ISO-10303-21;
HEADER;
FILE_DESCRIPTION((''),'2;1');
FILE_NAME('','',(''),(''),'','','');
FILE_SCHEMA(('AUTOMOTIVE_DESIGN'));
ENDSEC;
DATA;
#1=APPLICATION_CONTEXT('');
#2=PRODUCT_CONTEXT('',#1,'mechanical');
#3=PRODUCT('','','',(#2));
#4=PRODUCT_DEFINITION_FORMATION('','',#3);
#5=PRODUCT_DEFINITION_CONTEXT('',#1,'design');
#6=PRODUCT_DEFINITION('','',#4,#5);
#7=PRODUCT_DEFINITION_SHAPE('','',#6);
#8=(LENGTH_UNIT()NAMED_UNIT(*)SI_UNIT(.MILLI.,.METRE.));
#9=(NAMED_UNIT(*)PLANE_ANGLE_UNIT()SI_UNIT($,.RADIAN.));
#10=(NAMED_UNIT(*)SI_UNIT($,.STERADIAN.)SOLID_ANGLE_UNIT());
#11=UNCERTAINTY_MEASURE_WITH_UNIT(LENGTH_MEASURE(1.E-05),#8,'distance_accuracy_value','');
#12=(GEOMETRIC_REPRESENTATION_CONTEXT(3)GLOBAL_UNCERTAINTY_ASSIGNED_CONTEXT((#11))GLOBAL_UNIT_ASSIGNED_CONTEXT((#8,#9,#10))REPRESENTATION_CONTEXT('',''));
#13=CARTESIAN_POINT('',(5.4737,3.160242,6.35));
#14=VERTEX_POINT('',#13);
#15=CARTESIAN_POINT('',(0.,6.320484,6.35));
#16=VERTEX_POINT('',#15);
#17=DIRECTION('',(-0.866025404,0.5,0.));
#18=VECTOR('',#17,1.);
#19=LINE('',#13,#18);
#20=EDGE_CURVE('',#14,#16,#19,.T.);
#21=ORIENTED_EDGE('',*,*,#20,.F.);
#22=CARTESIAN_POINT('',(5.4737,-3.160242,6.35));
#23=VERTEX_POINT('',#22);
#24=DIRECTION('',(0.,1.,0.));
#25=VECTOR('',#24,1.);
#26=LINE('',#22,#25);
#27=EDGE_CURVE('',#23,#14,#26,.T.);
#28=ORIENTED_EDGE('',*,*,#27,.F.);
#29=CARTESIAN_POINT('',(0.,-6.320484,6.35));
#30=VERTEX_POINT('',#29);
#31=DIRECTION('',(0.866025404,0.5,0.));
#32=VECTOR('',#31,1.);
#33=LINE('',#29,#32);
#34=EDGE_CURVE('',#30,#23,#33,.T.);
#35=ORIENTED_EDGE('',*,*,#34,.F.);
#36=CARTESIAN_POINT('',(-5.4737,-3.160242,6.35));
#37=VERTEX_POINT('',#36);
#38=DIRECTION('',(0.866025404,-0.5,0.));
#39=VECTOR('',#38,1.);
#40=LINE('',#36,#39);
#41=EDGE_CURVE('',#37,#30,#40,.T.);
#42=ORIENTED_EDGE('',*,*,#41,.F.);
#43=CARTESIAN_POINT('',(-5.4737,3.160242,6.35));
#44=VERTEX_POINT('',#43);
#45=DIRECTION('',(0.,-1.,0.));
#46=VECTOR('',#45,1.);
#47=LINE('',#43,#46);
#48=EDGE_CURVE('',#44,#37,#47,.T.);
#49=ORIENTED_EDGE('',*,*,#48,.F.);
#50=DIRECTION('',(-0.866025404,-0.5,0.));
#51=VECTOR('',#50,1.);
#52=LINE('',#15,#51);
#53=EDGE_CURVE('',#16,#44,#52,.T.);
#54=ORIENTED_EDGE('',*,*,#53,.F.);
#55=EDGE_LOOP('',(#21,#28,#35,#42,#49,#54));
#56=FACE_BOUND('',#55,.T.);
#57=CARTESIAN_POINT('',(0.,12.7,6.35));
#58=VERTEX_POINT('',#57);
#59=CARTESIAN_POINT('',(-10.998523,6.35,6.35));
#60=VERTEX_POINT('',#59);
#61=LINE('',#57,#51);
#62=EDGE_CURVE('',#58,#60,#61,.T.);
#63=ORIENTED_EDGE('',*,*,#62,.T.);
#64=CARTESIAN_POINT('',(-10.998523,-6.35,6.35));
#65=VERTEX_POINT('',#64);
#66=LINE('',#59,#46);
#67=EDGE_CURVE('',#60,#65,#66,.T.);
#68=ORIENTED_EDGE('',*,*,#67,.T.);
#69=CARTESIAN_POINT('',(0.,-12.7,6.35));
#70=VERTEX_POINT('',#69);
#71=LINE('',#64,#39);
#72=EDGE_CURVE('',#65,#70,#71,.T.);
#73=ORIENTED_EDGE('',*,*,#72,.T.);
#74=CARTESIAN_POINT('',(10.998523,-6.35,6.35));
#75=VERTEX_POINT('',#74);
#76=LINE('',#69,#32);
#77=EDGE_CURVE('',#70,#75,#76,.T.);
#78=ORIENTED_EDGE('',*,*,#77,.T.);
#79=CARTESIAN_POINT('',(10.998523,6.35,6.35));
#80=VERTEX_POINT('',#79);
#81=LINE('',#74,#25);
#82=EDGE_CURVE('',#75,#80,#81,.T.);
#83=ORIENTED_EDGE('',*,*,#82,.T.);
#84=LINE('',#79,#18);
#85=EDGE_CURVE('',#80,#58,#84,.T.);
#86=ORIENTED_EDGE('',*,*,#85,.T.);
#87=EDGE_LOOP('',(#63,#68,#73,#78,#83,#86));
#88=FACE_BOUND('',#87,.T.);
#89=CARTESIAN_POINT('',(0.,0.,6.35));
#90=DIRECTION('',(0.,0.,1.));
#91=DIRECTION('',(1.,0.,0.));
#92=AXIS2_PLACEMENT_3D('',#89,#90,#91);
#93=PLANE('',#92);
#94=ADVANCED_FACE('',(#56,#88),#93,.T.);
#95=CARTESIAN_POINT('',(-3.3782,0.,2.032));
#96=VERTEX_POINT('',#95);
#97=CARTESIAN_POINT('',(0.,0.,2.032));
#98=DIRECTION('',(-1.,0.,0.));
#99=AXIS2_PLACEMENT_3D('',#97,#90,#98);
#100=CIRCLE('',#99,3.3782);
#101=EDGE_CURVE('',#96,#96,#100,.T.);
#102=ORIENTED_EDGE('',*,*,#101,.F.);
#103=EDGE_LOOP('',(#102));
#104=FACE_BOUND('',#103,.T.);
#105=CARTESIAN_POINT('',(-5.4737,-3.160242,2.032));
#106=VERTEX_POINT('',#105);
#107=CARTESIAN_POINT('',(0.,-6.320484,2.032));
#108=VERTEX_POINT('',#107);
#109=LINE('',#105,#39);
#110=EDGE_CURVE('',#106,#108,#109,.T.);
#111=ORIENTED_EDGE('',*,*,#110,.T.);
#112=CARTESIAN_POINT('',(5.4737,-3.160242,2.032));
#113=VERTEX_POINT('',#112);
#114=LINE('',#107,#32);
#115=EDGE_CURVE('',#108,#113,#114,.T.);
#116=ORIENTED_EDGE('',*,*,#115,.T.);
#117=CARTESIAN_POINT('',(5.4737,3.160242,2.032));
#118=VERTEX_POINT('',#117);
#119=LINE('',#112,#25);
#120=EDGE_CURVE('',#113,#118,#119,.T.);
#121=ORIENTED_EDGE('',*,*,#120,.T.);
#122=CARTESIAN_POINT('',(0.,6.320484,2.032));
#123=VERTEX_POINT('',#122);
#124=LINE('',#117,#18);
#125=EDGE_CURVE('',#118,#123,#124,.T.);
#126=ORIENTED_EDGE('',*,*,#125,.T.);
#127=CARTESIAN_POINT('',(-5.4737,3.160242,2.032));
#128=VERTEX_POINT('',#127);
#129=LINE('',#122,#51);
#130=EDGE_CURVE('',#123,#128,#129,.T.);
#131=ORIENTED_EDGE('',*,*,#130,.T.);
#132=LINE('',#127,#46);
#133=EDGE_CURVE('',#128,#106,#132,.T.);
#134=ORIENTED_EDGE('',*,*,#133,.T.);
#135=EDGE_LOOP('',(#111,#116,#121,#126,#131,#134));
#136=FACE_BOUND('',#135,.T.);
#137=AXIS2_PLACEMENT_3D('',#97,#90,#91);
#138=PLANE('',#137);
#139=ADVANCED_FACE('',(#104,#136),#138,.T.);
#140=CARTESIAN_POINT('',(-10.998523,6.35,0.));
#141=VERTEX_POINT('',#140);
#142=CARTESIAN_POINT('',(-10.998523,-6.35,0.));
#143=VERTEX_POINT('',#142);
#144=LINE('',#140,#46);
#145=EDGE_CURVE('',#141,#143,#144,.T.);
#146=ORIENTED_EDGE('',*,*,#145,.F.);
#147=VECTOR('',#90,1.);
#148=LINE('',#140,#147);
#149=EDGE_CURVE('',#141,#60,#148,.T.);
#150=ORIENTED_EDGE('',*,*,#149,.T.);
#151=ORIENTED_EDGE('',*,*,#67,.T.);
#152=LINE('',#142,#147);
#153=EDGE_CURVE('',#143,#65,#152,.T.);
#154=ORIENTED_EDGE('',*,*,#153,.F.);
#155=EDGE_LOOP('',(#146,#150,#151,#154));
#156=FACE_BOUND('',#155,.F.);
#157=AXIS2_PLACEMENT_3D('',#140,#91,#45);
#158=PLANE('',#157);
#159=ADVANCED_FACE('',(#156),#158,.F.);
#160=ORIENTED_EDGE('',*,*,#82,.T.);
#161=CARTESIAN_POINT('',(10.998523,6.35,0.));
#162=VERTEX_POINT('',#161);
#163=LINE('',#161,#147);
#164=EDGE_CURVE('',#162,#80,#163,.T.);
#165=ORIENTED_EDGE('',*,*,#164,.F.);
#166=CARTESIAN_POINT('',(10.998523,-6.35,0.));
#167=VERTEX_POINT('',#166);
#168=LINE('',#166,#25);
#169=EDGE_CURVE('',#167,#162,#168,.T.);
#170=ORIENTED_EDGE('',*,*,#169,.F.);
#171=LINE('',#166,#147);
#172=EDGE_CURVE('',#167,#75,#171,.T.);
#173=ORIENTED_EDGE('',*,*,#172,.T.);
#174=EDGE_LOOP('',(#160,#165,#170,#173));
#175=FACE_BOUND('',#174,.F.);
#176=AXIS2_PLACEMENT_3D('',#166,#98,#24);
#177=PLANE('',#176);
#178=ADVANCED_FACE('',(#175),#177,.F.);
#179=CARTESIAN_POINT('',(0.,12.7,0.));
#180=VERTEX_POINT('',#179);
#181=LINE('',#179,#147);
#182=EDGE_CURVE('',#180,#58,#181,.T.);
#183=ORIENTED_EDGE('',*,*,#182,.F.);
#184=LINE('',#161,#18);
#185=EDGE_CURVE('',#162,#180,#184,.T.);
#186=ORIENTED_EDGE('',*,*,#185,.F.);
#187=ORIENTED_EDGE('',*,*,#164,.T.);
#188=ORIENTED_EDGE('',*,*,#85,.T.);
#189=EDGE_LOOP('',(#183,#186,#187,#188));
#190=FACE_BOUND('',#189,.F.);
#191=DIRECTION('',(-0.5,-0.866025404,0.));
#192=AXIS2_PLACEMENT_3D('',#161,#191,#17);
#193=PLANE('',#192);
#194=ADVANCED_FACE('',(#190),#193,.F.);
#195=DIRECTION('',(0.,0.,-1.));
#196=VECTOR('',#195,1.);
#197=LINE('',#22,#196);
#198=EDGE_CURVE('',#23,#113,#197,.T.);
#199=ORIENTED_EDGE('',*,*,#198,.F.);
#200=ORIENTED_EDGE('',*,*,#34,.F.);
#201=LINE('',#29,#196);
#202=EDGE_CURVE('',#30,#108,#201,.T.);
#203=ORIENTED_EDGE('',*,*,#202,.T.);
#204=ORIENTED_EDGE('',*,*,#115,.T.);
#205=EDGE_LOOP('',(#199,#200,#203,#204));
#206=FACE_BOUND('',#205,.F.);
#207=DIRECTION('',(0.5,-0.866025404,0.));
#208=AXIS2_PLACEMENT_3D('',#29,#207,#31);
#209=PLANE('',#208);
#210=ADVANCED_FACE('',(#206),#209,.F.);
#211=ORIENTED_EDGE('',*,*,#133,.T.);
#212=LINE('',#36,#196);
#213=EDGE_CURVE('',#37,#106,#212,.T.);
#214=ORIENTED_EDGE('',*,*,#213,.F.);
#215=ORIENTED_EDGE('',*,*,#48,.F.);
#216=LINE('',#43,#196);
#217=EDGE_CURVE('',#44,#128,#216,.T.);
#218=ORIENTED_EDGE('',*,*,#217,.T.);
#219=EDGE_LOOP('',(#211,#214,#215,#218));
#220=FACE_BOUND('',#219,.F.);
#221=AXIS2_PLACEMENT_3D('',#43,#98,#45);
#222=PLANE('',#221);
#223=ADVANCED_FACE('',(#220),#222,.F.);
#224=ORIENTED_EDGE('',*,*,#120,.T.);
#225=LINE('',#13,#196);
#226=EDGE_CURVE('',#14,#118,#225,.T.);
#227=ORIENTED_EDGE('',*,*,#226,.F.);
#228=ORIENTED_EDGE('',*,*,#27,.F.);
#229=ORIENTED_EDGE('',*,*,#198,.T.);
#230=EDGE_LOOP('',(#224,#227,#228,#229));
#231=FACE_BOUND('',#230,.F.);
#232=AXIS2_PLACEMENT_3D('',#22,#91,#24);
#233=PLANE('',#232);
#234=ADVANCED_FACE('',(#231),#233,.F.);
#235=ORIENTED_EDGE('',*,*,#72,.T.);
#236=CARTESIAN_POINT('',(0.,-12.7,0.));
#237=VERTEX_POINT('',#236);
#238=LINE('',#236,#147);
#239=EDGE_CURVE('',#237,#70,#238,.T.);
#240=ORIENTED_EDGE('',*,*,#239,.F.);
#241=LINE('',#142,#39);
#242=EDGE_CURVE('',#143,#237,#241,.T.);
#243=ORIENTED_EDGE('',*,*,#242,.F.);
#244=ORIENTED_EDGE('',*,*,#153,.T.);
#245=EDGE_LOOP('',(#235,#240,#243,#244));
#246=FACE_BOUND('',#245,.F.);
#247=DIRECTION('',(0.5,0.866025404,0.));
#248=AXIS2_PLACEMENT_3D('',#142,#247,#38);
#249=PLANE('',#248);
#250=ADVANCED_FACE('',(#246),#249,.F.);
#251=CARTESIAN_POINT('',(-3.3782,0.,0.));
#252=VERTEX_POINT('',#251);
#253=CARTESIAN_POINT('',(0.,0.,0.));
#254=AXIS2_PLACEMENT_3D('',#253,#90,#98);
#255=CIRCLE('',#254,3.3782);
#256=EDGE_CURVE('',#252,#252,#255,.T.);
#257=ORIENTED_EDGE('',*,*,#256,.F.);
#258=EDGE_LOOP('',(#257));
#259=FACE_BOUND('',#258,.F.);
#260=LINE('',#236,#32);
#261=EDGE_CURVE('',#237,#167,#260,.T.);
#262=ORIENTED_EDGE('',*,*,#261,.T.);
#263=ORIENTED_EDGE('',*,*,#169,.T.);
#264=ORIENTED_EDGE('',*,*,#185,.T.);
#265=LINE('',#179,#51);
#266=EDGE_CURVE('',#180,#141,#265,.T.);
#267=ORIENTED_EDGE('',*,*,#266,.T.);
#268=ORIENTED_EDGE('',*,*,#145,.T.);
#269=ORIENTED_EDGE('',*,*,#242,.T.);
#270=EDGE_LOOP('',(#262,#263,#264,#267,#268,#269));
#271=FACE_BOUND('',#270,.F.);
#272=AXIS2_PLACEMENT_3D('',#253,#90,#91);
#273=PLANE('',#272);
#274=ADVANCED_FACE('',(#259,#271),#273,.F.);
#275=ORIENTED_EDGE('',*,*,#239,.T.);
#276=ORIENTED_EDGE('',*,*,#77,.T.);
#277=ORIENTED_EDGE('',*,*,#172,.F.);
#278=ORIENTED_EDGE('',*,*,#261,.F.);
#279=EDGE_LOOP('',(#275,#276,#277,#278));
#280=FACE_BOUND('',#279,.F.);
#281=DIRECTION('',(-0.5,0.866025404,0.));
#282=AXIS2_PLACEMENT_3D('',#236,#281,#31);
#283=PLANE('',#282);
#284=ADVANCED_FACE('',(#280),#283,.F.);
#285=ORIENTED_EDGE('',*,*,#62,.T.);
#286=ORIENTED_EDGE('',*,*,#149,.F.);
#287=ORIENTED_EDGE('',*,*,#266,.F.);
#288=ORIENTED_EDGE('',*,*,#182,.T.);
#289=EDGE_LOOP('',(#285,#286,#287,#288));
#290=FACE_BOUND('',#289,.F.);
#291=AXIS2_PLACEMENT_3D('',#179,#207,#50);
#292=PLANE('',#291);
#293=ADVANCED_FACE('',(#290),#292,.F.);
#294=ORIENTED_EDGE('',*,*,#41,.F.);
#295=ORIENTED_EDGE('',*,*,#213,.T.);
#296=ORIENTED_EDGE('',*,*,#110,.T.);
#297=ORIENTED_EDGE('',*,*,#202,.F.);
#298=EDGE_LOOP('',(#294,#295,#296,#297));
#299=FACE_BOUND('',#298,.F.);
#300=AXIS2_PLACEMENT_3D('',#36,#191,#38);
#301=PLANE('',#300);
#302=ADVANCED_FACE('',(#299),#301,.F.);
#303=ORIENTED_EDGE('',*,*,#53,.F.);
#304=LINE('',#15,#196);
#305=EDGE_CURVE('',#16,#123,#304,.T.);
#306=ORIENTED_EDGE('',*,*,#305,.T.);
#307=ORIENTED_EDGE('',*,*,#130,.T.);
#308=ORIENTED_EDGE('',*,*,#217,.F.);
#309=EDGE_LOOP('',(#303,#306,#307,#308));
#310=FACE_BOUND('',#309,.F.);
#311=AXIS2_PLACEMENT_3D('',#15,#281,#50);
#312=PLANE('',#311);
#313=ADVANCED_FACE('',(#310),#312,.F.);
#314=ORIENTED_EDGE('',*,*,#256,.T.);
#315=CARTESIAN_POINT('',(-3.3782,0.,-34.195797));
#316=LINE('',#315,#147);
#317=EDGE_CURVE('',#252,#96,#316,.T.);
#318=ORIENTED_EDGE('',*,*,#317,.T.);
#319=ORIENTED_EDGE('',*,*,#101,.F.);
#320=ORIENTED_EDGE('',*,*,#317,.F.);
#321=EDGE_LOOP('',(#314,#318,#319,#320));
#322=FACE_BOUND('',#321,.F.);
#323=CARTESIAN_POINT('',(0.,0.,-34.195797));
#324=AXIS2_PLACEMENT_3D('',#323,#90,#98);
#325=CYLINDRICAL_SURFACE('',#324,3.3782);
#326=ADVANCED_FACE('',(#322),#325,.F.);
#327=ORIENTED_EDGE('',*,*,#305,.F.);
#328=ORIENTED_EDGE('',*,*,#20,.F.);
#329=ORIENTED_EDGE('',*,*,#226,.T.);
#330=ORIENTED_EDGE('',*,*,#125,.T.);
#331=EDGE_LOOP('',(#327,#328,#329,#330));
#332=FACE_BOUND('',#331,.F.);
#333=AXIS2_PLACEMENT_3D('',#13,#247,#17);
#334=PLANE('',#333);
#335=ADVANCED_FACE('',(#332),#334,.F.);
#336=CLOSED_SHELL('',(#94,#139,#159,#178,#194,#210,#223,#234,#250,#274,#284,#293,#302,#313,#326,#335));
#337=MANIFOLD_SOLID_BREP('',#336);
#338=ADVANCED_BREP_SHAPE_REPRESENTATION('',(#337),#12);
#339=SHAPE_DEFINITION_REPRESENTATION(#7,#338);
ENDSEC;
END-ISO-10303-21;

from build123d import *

# Parameters (mm, degrees)
F0_R     = 3.2385
F1_DEPTH = 6.35
F3_DEPTH = 4.318
F4_D     = 6.7564


with BuildPart() as f1:
    # F0 (on Top) → F1 (new body)
    with BuildSketch(Plane.XY):
        Polygon((0, -12.7), (10.9985226281, -6.35), (10.9985226281, 6.35), (0, 12.7), (-10.9985226281, 6.35), (-10.9985226281, -6.35), align=None)
        Polygon((0, 6.3204843369), (5.4737, 3.1602421685), (5.4737, -3.1602421685), (0, -6.3204843369), (-5.4737, -3.1602421685), (-5.4737, 3.1602421685), align=None, mode=Mode.SUBTRACT)
        Polygon((5.4737, -3.1602421685), (5.4737, 3.1602421685), (0, 6.3204843369), (-5.4737, 3.1602421685), (-5.4737, -3.1602421685), (0, -6.3204843369), align=None)
        Circle(F0_R, mode=Mode.SUBTRACT)
        Circle(F0_R)
    extrude(amount=F1_DEPTH)

    # F2 (on face) → F3 (cut)
    with BuildSketch(Plane.XY.offset(6.35)):
        Polygon((0, 6.3204843369), (-5.4737, 3.1602421685), (-5.4737, -3.1602421685), (0, -6.3204843369), (5.4737, -3.1602421685), (5.4737, 3.1602421685), align=None)
    extrude(amount=-F3_DEPTH, mode=Mode.SUBTRACT)

    # F4 (through all)
    with Locations(Plane(origin=(0, 0, 0), x_dir=(1, 0, 0), z_dir=(0, 0, -1))):
        with Locations((0, 0)):
            Hole(F4_D / 2)


solid = f1.part
